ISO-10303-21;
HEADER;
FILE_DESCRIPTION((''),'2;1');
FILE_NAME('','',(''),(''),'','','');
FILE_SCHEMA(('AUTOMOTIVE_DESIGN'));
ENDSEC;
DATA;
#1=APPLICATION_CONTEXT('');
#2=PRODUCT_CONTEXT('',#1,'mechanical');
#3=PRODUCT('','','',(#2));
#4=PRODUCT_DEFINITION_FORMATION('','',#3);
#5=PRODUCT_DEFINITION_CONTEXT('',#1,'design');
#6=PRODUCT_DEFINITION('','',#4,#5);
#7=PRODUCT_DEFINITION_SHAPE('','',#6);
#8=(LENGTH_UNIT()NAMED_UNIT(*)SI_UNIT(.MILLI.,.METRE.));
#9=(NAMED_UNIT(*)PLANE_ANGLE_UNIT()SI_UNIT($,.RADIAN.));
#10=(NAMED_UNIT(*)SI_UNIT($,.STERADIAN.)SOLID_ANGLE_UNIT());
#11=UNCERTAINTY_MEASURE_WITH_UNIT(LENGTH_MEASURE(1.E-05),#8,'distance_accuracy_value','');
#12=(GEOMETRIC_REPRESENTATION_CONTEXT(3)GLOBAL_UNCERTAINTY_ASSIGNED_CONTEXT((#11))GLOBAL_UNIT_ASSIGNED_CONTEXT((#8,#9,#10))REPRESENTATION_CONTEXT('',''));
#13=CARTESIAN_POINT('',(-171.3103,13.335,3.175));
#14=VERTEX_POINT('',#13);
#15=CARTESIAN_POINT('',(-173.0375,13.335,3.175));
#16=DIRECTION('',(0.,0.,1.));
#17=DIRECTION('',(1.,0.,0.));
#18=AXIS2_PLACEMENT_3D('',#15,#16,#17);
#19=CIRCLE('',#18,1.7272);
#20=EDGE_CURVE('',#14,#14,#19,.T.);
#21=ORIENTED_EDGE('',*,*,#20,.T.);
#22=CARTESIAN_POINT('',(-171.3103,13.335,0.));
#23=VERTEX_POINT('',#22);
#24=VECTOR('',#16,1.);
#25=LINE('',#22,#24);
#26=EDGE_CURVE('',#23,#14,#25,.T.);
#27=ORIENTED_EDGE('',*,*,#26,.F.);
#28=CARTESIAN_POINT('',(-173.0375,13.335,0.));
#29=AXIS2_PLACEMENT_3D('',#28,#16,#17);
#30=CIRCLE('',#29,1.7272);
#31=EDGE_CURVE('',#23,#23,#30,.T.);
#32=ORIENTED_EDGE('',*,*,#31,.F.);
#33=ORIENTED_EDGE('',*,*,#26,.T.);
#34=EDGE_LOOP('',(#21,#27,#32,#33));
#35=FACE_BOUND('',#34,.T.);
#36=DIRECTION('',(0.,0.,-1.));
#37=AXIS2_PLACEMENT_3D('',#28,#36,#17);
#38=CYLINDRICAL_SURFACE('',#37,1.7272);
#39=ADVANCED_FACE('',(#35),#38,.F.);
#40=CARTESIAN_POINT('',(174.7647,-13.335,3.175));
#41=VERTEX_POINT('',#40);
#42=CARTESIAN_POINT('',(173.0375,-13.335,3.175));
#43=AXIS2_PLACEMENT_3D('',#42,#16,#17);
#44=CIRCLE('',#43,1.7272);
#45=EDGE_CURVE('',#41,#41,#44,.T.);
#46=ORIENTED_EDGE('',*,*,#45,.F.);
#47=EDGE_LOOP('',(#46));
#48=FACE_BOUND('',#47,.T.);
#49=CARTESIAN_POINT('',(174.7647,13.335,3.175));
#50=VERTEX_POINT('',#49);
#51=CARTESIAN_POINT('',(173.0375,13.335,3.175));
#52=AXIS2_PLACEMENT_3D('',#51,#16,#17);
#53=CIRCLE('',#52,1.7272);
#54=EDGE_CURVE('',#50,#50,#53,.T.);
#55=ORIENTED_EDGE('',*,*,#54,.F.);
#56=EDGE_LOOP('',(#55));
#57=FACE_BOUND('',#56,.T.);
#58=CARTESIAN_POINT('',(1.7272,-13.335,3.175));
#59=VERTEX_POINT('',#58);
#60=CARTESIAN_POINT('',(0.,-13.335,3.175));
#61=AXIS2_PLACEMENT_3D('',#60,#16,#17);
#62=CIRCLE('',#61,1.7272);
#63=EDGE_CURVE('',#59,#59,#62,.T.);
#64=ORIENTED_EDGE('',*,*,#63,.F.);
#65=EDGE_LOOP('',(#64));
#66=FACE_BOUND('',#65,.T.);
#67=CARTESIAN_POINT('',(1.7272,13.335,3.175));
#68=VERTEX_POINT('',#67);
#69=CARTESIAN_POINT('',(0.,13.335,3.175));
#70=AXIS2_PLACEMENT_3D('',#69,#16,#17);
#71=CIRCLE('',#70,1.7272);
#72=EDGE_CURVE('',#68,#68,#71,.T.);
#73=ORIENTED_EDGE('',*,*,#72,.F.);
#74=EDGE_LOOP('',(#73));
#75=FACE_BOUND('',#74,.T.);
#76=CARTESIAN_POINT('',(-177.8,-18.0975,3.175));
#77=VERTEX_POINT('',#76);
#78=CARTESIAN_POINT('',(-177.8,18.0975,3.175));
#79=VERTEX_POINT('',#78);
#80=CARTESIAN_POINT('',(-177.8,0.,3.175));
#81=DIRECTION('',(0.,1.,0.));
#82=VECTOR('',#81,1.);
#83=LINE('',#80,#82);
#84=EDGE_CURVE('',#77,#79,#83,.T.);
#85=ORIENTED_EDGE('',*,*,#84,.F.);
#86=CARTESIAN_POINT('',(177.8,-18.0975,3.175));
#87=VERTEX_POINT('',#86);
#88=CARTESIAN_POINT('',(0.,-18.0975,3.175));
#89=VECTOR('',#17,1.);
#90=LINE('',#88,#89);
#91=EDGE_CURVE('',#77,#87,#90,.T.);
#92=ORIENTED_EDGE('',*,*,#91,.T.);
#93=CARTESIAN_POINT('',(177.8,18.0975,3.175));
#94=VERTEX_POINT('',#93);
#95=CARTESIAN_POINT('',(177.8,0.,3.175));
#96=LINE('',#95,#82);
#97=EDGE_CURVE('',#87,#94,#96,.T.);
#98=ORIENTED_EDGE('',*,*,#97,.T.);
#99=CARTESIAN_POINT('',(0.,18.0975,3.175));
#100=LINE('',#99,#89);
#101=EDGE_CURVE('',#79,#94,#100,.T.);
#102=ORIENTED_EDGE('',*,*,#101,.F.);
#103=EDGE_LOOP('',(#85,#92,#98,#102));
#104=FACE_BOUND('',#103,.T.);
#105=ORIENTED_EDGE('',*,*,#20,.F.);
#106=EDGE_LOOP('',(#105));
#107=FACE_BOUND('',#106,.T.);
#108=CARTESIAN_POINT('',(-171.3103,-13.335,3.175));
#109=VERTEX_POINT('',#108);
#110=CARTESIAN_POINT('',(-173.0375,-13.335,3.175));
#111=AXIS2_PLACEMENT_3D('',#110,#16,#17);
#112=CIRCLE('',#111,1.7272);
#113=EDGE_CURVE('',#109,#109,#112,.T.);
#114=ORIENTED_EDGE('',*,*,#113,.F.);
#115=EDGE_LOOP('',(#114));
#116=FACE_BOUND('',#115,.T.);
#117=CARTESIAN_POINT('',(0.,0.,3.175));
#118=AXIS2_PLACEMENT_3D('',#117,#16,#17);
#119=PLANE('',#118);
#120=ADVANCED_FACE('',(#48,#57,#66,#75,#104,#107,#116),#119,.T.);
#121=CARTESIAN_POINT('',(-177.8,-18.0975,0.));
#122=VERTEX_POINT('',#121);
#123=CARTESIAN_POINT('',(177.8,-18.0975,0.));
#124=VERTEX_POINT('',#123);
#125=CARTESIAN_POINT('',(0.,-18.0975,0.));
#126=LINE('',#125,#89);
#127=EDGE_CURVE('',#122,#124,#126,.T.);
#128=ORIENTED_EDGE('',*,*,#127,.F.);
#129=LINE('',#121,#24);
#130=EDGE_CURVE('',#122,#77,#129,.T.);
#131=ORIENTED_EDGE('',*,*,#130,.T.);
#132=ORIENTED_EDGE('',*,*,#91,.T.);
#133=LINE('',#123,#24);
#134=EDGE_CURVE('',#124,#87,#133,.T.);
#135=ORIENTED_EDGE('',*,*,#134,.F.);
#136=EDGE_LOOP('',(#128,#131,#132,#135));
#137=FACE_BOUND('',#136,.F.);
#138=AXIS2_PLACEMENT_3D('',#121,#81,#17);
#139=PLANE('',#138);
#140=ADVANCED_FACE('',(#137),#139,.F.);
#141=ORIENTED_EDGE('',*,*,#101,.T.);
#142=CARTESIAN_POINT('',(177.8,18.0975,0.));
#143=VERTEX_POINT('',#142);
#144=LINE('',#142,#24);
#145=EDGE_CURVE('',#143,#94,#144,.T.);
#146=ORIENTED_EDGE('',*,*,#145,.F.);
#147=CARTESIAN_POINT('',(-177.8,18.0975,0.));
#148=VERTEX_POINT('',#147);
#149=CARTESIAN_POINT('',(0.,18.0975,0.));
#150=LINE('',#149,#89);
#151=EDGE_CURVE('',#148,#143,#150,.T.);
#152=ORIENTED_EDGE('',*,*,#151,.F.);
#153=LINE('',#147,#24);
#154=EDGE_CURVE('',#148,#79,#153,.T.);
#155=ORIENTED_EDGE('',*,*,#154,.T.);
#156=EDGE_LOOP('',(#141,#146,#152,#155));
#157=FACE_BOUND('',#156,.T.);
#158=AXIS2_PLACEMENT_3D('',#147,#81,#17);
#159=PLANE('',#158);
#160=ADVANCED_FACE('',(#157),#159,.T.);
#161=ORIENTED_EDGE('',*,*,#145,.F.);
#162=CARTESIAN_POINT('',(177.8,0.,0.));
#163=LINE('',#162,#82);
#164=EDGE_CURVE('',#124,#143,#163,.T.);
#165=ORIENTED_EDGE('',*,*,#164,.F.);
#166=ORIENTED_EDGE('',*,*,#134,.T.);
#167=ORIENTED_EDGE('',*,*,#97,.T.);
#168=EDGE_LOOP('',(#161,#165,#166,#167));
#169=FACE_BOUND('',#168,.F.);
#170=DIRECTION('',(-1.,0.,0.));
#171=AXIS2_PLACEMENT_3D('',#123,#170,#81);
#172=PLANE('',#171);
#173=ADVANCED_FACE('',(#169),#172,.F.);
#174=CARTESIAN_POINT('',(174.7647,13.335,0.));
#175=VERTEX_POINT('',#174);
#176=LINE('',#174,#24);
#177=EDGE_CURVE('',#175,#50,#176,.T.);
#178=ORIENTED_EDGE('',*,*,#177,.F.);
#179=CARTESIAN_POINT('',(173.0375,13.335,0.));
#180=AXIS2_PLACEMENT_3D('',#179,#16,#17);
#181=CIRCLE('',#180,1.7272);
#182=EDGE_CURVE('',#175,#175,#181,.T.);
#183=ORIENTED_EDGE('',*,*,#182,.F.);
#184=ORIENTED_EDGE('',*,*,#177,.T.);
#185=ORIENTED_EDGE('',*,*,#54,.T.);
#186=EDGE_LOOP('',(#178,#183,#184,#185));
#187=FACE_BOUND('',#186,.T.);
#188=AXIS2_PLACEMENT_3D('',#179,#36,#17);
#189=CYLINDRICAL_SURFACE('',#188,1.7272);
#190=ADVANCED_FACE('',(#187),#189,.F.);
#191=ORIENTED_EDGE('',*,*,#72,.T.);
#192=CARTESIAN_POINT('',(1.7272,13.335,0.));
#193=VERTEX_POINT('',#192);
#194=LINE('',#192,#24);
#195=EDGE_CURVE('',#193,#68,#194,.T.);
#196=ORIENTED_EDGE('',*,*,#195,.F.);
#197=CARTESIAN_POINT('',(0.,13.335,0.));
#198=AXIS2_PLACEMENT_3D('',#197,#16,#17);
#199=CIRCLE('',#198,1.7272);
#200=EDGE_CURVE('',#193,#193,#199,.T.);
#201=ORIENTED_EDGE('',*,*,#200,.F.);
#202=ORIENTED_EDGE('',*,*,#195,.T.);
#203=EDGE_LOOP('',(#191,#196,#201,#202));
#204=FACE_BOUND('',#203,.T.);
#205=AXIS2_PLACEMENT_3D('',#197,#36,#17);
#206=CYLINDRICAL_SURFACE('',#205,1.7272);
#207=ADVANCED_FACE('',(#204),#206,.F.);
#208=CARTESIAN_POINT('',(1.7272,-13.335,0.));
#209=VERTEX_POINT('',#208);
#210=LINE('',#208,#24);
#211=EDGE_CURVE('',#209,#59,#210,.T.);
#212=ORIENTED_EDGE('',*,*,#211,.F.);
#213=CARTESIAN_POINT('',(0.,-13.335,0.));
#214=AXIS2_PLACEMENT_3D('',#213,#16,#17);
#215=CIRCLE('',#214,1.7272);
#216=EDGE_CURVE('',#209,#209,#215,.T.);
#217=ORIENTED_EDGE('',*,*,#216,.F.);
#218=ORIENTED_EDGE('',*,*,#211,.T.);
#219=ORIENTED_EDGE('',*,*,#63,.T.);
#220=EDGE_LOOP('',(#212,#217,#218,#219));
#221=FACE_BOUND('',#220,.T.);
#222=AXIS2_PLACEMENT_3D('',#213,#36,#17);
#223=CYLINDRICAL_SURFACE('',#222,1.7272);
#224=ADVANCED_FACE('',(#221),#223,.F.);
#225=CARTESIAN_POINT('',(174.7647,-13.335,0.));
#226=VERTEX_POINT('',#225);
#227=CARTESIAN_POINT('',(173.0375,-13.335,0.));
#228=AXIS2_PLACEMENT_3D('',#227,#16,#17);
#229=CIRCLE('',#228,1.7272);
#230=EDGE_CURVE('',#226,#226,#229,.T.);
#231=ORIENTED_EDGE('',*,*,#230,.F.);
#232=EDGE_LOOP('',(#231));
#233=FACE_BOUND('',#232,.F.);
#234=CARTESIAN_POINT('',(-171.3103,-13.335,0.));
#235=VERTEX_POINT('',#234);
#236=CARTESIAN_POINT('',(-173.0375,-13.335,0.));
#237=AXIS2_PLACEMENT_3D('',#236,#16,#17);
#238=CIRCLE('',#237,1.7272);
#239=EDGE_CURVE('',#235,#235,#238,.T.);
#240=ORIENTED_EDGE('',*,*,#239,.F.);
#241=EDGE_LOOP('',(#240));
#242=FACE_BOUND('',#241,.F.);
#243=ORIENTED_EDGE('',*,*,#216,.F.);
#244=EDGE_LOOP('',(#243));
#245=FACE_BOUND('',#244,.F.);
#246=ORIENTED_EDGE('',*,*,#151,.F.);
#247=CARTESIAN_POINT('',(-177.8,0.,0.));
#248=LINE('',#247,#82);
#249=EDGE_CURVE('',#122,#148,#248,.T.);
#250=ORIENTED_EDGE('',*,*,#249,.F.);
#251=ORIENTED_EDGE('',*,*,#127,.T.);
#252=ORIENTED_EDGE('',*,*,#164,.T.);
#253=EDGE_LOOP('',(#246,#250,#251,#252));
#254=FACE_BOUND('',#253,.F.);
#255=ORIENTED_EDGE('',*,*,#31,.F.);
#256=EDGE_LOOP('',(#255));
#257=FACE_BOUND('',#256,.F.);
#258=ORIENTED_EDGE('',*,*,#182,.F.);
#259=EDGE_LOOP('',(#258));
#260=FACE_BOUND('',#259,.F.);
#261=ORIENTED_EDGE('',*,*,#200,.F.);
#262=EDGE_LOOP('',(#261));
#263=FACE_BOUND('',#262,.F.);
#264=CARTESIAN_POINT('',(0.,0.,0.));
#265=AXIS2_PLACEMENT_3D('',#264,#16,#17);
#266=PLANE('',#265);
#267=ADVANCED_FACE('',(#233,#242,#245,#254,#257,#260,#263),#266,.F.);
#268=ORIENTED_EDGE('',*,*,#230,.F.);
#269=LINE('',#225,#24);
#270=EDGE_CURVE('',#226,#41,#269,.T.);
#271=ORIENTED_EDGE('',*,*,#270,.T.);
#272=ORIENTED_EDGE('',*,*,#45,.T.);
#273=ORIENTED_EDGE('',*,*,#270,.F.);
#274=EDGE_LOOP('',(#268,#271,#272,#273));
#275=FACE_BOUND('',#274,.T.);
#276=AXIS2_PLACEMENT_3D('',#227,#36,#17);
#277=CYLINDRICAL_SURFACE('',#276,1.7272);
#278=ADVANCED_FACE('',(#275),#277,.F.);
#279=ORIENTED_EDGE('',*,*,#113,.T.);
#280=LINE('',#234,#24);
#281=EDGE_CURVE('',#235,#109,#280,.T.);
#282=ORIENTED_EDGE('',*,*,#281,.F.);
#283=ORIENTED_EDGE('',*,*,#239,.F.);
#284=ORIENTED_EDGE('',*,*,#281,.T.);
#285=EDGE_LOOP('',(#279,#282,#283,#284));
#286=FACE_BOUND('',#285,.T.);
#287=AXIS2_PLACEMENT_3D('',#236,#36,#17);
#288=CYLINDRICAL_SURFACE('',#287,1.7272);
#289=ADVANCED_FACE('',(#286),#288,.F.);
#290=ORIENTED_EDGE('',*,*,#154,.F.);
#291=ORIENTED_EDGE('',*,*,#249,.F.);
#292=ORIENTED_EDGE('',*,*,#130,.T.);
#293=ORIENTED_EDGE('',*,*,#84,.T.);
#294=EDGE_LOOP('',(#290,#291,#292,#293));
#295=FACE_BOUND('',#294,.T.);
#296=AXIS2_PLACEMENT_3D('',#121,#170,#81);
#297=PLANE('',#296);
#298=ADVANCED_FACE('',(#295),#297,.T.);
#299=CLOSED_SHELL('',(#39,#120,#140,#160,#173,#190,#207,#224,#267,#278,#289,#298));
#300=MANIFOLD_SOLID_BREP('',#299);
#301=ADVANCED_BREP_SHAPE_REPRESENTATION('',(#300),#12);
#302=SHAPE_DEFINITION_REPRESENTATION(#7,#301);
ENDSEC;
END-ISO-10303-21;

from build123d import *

# Parameters (mm, degrees)
F0_W     = 355.6
F0_H     = 36.195
F0_R     = 1.7272
F1_DEPTH = 3.175


with BuildPart() as f1:
    # F0 (on Top) → F1 (new body)
    with BuildSketch(Plane.XY):
        Rectangle(F0_W, F0_H)
        with Locations((-173.0375, -13.335)):
            Circle(F0_R, mode=Mode.SUBTRACT)
        with Locations((0, -13.335)):
            Circle(F0_R, mode=Mode.SUBTRACT)
        with Locations((173.0375, -13.335)):
            Circle(F0_R, mode=Mode.SUBTRACT)
        with Locations((-173.0375, 13.335)):
            Circle(F0_R, mode=Mode.SUBTRACT)
        with Locations((0, 13.335)):
            Circle(F0_R, mode=Mode.SUBTRACT)
        with Locations((173.0375, 13.335)):
            Circle(F0_R, mode=Mode.SUBTRACT)
    extrude(amount=F1_DEPTH)


solid = f1.part
